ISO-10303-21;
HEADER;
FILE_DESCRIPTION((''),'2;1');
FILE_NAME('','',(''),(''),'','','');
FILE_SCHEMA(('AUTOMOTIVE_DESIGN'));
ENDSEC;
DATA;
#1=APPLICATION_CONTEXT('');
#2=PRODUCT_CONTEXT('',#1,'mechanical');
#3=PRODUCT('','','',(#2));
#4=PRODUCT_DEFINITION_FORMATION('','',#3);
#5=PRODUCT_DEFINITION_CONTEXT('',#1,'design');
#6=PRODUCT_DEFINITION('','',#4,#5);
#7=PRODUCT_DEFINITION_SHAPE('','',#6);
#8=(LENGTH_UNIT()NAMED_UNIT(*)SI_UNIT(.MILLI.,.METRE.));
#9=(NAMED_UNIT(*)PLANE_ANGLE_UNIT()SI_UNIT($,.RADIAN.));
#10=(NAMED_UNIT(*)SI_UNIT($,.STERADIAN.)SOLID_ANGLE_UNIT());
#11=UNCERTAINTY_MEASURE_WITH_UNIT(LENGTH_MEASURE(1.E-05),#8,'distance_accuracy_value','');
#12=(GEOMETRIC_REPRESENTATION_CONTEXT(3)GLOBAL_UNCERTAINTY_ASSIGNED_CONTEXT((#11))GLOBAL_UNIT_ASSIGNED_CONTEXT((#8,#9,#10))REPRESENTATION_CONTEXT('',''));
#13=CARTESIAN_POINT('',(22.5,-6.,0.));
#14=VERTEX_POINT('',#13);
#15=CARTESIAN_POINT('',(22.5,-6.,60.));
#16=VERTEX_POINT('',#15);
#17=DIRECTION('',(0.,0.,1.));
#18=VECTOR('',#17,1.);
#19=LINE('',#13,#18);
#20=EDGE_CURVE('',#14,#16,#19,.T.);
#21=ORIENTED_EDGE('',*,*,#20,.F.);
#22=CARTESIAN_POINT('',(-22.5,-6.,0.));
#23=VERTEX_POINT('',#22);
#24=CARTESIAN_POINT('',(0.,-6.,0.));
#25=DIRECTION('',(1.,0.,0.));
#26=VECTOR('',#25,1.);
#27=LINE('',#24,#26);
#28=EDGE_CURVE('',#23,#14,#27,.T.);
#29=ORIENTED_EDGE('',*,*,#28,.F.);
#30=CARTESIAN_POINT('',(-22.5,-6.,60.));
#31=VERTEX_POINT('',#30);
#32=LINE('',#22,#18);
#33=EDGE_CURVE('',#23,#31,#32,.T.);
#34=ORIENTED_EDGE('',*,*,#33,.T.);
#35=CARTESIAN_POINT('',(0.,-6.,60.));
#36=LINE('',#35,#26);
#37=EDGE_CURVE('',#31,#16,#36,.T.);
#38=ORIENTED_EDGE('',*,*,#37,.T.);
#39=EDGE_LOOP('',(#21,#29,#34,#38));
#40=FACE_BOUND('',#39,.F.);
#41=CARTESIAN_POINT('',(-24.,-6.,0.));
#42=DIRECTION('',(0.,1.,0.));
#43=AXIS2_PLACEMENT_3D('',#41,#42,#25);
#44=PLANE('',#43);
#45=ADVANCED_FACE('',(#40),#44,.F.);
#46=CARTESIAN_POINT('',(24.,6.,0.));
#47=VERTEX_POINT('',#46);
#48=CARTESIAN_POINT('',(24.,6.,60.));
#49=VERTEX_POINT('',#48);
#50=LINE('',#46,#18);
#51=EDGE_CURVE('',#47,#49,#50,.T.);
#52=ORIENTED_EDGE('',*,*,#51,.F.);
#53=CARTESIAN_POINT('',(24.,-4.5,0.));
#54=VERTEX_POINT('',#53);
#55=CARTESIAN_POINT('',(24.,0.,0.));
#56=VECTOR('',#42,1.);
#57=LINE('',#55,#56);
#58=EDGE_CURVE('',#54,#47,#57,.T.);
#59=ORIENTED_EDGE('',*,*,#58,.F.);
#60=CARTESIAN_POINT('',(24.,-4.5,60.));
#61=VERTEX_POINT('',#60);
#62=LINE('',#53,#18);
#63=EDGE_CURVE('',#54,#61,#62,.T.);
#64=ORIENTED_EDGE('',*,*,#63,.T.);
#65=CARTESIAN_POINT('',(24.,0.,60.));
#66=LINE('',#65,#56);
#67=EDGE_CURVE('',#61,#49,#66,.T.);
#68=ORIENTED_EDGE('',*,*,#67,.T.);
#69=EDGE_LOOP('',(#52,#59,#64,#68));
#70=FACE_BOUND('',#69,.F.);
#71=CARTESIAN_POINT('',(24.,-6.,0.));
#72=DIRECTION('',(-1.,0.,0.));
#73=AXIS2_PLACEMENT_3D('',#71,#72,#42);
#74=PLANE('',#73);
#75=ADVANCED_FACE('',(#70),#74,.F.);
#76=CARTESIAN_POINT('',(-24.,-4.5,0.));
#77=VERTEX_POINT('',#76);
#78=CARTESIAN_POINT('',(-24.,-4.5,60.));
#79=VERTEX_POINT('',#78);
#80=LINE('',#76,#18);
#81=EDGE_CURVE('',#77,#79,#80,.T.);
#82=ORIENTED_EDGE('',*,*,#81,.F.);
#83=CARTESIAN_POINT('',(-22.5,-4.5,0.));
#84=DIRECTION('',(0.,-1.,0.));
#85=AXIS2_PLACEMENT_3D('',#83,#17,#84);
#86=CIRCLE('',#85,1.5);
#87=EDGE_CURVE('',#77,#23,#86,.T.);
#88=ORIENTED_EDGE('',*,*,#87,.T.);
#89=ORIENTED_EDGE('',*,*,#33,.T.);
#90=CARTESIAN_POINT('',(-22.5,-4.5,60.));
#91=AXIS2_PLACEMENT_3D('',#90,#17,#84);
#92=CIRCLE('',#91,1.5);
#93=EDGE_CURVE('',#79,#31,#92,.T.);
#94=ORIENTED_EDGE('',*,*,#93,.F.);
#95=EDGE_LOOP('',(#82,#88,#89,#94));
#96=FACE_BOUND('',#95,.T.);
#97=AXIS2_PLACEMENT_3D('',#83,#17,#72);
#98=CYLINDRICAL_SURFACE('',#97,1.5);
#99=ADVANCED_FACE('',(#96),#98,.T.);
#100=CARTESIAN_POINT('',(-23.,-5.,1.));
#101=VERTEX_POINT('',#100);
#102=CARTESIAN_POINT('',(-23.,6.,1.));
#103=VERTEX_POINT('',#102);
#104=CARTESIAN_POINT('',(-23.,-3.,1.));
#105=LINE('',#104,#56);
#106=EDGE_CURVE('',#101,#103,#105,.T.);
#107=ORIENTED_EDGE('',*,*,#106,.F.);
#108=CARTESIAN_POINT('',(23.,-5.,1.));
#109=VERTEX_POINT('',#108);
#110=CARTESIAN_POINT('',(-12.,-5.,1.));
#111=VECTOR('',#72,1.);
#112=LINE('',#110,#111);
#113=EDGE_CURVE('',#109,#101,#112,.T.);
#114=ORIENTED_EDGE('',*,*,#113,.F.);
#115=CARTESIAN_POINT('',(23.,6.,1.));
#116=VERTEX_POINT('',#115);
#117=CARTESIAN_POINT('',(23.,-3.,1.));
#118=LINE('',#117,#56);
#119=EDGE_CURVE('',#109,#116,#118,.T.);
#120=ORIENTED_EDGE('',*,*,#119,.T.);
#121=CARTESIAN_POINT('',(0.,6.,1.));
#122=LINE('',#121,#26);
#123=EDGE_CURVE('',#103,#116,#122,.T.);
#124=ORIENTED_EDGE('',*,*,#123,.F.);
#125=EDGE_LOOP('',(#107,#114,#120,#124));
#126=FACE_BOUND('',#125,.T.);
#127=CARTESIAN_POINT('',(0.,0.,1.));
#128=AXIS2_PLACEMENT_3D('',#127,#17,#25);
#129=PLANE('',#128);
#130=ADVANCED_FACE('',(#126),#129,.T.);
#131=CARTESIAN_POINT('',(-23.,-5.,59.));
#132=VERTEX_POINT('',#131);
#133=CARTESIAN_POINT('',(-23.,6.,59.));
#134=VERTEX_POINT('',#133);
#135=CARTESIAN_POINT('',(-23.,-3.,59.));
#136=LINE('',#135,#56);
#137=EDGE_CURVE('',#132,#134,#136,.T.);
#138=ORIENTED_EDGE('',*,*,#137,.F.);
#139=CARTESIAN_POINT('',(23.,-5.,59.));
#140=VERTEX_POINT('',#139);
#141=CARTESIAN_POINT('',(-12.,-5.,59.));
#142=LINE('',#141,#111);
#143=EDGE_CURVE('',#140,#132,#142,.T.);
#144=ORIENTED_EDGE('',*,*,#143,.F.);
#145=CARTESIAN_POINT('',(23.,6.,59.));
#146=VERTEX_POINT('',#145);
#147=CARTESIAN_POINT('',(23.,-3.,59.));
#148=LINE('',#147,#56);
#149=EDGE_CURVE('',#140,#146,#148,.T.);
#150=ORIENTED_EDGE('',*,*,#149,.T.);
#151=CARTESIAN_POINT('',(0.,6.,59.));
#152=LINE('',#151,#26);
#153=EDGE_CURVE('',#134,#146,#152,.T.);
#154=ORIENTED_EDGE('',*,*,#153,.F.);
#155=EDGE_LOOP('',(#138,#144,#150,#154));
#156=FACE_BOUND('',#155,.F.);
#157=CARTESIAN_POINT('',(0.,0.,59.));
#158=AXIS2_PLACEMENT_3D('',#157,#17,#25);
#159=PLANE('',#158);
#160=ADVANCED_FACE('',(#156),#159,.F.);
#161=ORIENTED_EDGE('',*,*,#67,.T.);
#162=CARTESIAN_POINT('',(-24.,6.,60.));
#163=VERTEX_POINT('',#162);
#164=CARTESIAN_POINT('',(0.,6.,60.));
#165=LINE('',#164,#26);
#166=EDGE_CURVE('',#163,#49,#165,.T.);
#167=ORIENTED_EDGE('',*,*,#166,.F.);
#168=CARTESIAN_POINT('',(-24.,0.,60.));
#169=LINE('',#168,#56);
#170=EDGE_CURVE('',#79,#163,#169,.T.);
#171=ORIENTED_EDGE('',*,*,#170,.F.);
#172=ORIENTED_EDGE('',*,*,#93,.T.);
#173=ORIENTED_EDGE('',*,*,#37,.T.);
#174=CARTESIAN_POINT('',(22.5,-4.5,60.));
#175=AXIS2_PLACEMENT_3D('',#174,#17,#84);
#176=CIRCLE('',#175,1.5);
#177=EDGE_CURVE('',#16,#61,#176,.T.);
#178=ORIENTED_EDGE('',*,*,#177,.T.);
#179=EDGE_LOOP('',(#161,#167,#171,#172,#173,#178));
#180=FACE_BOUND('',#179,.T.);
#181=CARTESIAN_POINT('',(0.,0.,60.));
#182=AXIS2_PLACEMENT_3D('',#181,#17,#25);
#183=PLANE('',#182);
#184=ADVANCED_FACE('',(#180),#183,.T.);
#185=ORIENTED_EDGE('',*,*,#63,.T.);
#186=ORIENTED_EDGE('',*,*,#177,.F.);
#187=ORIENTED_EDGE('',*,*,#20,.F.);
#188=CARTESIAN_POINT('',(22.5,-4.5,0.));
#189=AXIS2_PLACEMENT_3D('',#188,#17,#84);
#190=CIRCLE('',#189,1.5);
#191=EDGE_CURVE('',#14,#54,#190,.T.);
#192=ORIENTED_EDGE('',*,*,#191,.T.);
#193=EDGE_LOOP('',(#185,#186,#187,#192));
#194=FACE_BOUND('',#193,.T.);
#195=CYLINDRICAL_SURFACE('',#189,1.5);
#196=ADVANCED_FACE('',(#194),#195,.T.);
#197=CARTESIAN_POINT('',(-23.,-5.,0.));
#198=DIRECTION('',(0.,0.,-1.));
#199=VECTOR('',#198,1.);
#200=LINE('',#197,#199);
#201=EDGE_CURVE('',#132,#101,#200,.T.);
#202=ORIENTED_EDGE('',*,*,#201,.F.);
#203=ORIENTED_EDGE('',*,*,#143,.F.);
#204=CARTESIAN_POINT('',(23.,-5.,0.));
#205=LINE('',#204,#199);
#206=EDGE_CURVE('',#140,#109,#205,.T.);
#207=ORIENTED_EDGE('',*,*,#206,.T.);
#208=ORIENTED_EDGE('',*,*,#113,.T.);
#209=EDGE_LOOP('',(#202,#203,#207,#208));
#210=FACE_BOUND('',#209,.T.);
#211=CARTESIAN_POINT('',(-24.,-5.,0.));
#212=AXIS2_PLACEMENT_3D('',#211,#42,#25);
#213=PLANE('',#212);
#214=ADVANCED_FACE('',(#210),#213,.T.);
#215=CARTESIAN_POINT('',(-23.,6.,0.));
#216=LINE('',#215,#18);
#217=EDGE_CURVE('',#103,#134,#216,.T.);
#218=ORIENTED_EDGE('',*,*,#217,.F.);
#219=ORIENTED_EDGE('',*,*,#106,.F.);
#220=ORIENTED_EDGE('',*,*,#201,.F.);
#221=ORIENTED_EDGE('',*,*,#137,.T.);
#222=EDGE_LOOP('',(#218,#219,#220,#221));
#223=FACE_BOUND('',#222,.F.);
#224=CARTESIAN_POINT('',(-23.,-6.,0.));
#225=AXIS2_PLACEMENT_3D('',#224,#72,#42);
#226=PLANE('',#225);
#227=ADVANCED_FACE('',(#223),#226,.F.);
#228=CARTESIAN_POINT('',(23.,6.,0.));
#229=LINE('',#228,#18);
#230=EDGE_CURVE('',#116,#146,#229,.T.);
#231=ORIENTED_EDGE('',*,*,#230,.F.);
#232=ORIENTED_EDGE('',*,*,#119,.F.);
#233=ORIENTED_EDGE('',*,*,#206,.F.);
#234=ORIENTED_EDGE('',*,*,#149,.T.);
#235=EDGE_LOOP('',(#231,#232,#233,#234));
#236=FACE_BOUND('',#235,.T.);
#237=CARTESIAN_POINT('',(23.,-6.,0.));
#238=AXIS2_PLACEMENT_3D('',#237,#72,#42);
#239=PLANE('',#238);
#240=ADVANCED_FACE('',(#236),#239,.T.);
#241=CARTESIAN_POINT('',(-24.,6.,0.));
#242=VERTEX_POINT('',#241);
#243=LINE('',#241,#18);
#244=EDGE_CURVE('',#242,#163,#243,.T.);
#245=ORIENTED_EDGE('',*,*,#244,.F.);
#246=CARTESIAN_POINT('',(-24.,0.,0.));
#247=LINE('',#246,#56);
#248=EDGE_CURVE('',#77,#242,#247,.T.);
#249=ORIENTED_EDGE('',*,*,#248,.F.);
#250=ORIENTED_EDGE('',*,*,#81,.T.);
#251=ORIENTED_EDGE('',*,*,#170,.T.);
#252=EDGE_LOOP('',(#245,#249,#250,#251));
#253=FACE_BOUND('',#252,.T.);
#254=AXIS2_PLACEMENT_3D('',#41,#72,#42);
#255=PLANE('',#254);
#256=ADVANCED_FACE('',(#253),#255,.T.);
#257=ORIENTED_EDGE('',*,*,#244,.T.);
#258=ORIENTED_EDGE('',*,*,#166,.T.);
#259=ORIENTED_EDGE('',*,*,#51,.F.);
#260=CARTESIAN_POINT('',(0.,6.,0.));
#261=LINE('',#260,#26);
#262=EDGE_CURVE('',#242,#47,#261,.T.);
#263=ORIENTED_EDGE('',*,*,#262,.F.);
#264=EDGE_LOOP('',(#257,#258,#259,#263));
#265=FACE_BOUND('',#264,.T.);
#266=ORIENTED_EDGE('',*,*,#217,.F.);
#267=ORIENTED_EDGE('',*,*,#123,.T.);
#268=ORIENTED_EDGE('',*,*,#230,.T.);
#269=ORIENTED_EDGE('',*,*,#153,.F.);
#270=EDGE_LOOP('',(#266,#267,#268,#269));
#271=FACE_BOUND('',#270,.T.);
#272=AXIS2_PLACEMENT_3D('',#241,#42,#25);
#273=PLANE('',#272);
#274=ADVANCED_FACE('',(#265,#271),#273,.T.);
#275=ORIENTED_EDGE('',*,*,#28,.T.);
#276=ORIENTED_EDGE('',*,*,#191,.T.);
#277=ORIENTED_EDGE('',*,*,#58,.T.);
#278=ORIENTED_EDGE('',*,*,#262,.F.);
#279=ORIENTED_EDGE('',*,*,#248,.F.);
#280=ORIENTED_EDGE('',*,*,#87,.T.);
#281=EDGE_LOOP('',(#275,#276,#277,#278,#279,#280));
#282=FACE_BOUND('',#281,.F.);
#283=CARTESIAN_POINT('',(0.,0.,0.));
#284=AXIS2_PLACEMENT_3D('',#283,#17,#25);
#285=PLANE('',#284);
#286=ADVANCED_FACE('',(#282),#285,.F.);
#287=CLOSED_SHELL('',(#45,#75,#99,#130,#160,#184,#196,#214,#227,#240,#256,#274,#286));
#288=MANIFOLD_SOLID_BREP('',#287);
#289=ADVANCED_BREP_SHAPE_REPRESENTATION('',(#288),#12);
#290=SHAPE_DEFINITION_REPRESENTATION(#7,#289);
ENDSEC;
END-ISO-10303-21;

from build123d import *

# Parameters (mm, degrees)
F0_W     = 48
F0_H     = 12
F1_DEPTH = 60
F2_T     = -1
F3_R     = 1.5


with BuildPart() as f1:
    # F0 (on Top) → F1 (new body)
    with BuildSketch(Plane.XY):
        Rectangle(F0_W, F0_H)
    extrude(amount=F1_DEPTH)

    # F2
    f2_openings = [f1.faces().sort_by_distance(p)[0] for p in [
        (0, 6, 30),
    ]]
    offset(amount=F2_T, openings=f2_openings)

    # F3
    f3_edges = [f1.edges().sort_by_distance(p)[0] for p in [
        (24, -6, 30),
        (-24, -6, 30),
    ]]
    fillet(f3_edges, radius=F3_R)


solid = f1.part
